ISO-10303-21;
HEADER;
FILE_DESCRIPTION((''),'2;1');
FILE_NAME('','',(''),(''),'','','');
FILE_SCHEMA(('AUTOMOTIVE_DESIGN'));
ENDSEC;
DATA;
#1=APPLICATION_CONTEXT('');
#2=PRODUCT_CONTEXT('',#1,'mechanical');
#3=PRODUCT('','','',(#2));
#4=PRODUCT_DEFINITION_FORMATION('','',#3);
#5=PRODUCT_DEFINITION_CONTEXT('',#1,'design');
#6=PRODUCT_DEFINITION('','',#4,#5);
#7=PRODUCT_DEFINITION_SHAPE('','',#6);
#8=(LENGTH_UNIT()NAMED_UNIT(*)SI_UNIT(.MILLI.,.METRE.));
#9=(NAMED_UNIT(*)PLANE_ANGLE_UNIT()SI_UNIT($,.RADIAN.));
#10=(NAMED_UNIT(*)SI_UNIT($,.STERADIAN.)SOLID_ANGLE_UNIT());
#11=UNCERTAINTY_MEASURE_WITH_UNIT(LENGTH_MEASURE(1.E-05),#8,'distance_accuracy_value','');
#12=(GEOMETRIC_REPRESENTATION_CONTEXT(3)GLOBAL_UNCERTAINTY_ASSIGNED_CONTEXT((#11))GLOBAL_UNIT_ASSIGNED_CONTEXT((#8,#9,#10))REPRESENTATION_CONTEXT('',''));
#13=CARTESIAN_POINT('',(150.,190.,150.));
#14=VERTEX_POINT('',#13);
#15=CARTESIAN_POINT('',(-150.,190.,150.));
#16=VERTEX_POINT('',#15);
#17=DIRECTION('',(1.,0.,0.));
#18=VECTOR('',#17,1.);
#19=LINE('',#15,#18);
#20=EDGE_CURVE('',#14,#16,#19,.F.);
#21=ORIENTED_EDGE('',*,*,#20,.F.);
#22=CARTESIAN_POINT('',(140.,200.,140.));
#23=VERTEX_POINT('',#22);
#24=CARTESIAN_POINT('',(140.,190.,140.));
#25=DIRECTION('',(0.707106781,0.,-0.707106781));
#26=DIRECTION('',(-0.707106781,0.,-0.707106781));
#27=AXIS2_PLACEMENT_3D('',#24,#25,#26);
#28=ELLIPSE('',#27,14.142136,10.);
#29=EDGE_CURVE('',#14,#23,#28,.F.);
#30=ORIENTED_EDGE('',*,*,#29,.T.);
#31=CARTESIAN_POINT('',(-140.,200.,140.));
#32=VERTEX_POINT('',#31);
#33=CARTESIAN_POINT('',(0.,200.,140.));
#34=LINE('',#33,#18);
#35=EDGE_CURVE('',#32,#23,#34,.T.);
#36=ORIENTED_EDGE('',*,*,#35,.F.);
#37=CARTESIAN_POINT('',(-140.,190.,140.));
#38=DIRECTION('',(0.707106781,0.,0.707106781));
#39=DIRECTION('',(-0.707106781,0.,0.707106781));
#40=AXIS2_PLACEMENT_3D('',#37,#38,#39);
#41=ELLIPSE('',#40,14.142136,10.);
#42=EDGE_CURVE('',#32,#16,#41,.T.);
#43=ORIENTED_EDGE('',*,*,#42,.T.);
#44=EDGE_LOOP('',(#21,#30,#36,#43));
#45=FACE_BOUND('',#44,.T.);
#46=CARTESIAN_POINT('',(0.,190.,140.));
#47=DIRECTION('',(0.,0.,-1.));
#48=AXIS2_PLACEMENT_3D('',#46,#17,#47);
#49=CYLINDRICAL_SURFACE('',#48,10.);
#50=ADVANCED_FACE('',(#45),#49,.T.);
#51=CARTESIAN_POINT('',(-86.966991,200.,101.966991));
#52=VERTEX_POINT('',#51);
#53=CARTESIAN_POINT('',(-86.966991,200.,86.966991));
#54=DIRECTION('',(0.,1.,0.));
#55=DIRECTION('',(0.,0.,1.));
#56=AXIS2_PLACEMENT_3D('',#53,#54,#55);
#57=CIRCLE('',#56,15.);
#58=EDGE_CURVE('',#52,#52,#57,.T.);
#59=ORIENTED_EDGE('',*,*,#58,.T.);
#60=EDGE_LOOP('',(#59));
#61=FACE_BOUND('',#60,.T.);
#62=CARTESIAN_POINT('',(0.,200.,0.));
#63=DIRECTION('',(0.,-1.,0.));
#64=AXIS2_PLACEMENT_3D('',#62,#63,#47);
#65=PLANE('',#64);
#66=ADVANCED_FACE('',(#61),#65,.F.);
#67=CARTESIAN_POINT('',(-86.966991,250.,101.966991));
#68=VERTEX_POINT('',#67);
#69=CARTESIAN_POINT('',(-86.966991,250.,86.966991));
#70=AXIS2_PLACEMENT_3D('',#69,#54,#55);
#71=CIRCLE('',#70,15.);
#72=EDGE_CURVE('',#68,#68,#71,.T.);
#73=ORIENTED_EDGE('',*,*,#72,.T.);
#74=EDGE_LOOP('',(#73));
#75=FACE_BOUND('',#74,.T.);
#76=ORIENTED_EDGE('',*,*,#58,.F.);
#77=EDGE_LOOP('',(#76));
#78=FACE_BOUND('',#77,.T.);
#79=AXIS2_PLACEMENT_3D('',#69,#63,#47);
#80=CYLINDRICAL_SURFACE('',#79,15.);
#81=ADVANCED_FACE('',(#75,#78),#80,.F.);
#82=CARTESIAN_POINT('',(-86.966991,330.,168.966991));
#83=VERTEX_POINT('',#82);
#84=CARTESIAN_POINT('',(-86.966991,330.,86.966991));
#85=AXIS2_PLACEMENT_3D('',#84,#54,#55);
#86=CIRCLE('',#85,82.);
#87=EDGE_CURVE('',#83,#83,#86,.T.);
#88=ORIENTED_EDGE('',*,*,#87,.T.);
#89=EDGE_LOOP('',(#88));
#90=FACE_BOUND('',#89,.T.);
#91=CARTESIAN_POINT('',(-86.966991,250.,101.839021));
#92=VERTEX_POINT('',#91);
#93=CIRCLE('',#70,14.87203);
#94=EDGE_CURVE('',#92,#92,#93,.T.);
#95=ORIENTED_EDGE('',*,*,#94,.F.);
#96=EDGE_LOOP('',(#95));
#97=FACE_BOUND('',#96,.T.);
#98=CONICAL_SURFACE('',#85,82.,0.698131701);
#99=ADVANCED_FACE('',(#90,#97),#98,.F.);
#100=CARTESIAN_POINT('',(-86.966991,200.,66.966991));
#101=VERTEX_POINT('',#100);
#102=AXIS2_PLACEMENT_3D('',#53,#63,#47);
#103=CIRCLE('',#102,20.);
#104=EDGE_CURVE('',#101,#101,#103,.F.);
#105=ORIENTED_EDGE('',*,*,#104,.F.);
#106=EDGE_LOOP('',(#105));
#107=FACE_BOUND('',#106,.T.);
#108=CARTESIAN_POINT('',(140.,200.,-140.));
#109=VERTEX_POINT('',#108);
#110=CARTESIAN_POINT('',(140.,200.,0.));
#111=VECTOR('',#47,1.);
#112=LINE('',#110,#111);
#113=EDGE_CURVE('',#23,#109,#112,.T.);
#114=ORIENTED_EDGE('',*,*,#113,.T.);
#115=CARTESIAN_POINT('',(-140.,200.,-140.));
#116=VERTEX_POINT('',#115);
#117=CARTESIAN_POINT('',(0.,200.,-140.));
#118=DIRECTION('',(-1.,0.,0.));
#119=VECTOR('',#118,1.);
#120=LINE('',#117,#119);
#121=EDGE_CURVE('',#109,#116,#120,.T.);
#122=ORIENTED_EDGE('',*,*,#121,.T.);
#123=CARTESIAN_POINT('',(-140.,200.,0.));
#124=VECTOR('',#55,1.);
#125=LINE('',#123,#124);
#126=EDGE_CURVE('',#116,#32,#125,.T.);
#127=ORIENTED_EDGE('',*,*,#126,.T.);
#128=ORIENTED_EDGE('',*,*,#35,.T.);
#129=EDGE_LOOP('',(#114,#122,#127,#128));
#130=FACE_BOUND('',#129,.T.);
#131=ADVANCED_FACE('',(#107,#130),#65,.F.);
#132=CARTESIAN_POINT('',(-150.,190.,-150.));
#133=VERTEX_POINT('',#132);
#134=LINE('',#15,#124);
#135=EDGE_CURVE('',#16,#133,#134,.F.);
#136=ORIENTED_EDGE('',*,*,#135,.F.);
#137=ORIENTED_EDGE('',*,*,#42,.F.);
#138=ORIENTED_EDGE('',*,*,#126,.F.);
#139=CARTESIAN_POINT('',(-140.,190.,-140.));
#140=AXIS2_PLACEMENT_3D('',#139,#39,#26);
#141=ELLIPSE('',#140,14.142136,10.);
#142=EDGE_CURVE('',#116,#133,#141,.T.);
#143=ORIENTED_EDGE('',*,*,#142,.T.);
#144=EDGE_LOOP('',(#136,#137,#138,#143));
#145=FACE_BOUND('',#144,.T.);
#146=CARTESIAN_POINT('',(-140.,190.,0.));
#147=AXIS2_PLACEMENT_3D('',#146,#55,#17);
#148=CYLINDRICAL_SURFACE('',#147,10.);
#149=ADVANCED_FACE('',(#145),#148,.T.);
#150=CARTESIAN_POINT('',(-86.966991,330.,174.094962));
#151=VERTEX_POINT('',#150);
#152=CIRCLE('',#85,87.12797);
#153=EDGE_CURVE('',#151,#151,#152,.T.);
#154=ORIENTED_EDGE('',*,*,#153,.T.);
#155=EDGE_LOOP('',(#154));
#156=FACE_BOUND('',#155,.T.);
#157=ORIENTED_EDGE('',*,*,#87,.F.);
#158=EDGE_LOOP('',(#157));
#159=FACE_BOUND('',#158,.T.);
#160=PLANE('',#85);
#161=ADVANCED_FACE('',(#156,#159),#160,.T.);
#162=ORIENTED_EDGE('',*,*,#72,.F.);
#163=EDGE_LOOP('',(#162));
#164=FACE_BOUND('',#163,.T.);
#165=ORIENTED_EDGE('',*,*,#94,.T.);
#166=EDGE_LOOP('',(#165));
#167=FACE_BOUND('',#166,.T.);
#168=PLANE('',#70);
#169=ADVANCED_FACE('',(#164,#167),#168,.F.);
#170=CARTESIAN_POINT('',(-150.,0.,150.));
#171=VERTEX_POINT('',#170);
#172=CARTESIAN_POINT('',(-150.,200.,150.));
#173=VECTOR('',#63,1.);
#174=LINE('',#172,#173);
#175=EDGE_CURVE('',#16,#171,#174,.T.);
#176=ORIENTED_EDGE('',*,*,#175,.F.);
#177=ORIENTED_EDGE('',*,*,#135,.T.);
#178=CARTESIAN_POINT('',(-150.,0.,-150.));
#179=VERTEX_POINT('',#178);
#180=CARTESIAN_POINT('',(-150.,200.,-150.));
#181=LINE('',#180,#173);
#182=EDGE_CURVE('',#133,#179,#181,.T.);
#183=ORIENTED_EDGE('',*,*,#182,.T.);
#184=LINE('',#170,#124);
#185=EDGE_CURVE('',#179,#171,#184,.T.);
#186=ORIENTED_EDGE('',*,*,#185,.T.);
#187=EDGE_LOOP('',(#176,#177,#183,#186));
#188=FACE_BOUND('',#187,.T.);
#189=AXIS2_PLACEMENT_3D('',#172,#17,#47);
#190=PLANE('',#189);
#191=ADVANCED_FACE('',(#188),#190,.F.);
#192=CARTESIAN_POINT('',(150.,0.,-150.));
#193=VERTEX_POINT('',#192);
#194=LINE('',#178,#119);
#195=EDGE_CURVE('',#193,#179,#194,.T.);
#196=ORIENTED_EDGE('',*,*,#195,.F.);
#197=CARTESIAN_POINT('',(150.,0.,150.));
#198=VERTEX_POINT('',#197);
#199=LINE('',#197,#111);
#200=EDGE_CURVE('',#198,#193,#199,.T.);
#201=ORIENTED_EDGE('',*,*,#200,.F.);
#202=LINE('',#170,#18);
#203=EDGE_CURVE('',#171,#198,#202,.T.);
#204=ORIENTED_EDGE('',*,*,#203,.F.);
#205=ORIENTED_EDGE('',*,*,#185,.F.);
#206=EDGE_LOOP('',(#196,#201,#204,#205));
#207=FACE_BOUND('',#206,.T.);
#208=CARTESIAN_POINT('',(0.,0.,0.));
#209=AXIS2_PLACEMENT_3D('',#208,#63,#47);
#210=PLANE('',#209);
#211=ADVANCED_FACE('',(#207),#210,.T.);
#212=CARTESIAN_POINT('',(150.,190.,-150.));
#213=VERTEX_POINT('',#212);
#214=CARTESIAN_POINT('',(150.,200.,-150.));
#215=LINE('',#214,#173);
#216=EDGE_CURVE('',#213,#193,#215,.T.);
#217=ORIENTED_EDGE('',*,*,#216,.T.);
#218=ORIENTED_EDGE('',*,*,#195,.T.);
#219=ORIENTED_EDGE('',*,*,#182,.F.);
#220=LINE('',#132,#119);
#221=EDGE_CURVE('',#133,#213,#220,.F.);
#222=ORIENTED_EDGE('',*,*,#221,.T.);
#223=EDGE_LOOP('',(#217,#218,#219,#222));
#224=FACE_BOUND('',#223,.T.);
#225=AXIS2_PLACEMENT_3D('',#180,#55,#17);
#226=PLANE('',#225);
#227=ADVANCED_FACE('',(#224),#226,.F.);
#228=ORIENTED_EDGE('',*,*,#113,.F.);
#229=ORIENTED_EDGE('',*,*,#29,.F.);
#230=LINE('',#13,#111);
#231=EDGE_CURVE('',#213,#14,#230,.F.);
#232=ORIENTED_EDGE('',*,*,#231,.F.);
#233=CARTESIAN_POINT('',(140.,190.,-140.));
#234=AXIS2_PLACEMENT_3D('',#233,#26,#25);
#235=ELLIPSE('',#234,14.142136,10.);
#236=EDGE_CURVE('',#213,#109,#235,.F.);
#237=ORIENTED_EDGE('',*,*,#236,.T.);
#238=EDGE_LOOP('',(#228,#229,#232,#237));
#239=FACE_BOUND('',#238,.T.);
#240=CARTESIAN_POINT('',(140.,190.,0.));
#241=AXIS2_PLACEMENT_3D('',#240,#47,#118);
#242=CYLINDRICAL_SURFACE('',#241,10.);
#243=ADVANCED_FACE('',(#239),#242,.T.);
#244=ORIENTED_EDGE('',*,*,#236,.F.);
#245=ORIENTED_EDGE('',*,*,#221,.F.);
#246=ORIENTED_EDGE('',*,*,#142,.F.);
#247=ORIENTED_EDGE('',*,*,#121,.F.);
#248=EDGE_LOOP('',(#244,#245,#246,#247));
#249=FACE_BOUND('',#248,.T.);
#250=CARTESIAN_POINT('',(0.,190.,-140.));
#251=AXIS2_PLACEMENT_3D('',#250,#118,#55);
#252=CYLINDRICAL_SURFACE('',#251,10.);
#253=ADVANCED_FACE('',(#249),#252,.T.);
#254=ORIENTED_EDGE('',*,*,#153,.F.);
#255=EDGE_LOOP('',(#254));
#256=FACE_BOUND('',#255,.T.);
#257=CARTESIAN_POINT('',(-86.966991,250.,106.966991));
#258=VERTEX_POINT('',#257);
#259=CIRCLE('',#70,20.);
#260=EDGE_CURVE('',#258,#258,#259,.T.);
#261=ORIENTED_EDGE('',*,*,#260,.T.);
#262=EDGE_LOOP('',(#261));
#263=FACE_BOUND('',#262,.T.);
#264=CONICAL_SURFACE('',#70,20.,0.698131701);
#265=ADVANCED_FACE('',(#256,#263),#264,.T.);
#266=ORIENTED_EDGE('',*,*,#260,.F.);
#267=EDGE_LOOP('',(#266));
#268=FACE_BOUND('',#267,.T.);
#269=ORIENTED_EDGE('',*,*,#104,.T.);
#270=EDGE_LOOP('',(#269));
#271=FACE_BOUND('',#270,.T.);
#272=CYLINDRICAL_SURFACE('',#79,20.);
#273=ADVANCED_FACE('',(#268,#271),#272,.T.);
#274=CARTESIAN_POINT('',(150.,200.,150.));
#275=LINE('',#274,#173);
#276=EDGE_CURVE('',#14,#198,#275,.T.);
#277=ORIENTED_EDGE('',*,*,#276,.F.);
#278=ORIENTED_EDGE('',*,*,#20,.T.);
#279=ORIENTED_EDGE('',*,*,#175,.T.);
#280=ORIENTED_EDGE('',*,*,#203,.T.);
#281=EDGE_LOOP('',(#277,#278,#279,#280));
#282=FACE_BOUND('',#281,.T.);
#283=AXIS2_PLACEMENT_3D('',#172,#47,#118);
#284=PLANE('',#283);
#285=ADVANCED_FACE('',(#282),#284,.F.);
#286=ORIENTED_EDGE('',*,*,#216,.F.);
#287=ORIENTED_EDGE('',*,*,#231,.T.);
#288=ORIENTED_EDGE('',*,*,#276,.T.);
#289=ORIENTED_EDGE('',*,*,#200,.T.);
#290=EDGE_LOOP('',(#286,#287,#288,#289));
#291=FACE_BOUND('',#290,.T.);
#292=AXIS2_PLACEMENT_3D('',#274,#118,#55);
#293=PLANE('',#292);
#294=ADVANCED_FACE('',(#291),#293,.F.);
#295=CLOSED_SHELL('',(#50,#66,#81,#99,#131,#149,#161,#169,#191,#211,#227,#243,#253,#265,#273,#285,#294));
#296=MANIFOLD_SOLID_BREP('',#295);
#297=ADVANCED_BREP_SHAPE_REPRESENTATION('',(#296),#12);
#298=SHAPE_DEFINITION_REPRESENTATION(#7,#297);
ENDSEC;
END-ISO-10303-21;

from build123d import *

# Parameters (mm, degrees)
SKETCH1_W           = 300
SKETCH1_H           = 300
BOSS_EXTRUDE1_DEPTH = 200
FILLET1_R           = 10
SKETCH2_R           = 20
SKETCH2_R_2         = 15
BOSS_EXTRUDE2_DEPTH = 50
SKETCH3_R           = 20
BOSS_EXTRUDE3_DEPTH = 80
BOSS_EXTRUDE3_TAPER = -40
SKETCH4_R           = 82
CUT_EXTRUDE1_DEPTH  = 80
CUT_EXTRUDE1_TAPER  = 40


with BuildPart() as part:
    # Sketch1 → Boss-Extrude1 (new body)
    with BuildSketch(Plane(origin=(0, 0, 0), x_dir=(1, 0, 0), z_dir=(0, 1, 0))):
        Rectangle(SKETCH1_W, SKETCH1_H)
    extrude(amount=BOSS_EXTRUDE1_DEPTH)

    # Fillet1
    fillet1_edges = [part.edges().sort_by_distance(p)[0] for p in [
        (-150, 200, 0),
        (0, 200, 150),
        (150, 200, 0),
        (0, 200, -150),
    ]]
    fillet(fillet1_edges, radius=FILLET1_R)

    # Sketch2 → Boss-Extrude2 (add)
    with BuildSketch(Plane(origin=(0, 200, 0), x_dir=(1, 0, 0), z_dir=(0, 1, 0))):
        with Locations((-86.966991411, -86.966991411)):
            Circle(SKETCH2_R)
        with Locations((-86.966991411, -86.966991411)):
            Circle(SKETCH2_R_2, mode=Mode.SUBTRACT)
    extrude(amount=BOSS_EXTRUDE2_DEPTH)

    # Sketch3 → Boss-Extrude3 (add)
    with BuildSketch(Plane(origin=(0, 250, 0), x_dir=(1, 0, 0), z_dir=(0, 1, 0))):
        with Locations((-86.966991411, -86.966991411)):
            Circle(SKETCH3_R)
    extrude(amount=BOSS_EXTRUDE3_DEPTH, taper=BOSS_EXTRUDE3_TAPER)

    # Sketch4 → Cut-Extrude1 (cut)
    with BuildSketch(Plane(origin=(0, 330, 0), x_dir=(1, 0, 0), z_dir=(0, 1, 0))):
        with Locations((-86.966991411, -86.966991411)):
            Circle(SKETCH4_R)
    extrude(amount=-CUT_EXTRUDE1_DEPTH, taper=CUT_EXTRUDE1_TAPER, mode=Mode.SUBTRACT)


solid = part.part
